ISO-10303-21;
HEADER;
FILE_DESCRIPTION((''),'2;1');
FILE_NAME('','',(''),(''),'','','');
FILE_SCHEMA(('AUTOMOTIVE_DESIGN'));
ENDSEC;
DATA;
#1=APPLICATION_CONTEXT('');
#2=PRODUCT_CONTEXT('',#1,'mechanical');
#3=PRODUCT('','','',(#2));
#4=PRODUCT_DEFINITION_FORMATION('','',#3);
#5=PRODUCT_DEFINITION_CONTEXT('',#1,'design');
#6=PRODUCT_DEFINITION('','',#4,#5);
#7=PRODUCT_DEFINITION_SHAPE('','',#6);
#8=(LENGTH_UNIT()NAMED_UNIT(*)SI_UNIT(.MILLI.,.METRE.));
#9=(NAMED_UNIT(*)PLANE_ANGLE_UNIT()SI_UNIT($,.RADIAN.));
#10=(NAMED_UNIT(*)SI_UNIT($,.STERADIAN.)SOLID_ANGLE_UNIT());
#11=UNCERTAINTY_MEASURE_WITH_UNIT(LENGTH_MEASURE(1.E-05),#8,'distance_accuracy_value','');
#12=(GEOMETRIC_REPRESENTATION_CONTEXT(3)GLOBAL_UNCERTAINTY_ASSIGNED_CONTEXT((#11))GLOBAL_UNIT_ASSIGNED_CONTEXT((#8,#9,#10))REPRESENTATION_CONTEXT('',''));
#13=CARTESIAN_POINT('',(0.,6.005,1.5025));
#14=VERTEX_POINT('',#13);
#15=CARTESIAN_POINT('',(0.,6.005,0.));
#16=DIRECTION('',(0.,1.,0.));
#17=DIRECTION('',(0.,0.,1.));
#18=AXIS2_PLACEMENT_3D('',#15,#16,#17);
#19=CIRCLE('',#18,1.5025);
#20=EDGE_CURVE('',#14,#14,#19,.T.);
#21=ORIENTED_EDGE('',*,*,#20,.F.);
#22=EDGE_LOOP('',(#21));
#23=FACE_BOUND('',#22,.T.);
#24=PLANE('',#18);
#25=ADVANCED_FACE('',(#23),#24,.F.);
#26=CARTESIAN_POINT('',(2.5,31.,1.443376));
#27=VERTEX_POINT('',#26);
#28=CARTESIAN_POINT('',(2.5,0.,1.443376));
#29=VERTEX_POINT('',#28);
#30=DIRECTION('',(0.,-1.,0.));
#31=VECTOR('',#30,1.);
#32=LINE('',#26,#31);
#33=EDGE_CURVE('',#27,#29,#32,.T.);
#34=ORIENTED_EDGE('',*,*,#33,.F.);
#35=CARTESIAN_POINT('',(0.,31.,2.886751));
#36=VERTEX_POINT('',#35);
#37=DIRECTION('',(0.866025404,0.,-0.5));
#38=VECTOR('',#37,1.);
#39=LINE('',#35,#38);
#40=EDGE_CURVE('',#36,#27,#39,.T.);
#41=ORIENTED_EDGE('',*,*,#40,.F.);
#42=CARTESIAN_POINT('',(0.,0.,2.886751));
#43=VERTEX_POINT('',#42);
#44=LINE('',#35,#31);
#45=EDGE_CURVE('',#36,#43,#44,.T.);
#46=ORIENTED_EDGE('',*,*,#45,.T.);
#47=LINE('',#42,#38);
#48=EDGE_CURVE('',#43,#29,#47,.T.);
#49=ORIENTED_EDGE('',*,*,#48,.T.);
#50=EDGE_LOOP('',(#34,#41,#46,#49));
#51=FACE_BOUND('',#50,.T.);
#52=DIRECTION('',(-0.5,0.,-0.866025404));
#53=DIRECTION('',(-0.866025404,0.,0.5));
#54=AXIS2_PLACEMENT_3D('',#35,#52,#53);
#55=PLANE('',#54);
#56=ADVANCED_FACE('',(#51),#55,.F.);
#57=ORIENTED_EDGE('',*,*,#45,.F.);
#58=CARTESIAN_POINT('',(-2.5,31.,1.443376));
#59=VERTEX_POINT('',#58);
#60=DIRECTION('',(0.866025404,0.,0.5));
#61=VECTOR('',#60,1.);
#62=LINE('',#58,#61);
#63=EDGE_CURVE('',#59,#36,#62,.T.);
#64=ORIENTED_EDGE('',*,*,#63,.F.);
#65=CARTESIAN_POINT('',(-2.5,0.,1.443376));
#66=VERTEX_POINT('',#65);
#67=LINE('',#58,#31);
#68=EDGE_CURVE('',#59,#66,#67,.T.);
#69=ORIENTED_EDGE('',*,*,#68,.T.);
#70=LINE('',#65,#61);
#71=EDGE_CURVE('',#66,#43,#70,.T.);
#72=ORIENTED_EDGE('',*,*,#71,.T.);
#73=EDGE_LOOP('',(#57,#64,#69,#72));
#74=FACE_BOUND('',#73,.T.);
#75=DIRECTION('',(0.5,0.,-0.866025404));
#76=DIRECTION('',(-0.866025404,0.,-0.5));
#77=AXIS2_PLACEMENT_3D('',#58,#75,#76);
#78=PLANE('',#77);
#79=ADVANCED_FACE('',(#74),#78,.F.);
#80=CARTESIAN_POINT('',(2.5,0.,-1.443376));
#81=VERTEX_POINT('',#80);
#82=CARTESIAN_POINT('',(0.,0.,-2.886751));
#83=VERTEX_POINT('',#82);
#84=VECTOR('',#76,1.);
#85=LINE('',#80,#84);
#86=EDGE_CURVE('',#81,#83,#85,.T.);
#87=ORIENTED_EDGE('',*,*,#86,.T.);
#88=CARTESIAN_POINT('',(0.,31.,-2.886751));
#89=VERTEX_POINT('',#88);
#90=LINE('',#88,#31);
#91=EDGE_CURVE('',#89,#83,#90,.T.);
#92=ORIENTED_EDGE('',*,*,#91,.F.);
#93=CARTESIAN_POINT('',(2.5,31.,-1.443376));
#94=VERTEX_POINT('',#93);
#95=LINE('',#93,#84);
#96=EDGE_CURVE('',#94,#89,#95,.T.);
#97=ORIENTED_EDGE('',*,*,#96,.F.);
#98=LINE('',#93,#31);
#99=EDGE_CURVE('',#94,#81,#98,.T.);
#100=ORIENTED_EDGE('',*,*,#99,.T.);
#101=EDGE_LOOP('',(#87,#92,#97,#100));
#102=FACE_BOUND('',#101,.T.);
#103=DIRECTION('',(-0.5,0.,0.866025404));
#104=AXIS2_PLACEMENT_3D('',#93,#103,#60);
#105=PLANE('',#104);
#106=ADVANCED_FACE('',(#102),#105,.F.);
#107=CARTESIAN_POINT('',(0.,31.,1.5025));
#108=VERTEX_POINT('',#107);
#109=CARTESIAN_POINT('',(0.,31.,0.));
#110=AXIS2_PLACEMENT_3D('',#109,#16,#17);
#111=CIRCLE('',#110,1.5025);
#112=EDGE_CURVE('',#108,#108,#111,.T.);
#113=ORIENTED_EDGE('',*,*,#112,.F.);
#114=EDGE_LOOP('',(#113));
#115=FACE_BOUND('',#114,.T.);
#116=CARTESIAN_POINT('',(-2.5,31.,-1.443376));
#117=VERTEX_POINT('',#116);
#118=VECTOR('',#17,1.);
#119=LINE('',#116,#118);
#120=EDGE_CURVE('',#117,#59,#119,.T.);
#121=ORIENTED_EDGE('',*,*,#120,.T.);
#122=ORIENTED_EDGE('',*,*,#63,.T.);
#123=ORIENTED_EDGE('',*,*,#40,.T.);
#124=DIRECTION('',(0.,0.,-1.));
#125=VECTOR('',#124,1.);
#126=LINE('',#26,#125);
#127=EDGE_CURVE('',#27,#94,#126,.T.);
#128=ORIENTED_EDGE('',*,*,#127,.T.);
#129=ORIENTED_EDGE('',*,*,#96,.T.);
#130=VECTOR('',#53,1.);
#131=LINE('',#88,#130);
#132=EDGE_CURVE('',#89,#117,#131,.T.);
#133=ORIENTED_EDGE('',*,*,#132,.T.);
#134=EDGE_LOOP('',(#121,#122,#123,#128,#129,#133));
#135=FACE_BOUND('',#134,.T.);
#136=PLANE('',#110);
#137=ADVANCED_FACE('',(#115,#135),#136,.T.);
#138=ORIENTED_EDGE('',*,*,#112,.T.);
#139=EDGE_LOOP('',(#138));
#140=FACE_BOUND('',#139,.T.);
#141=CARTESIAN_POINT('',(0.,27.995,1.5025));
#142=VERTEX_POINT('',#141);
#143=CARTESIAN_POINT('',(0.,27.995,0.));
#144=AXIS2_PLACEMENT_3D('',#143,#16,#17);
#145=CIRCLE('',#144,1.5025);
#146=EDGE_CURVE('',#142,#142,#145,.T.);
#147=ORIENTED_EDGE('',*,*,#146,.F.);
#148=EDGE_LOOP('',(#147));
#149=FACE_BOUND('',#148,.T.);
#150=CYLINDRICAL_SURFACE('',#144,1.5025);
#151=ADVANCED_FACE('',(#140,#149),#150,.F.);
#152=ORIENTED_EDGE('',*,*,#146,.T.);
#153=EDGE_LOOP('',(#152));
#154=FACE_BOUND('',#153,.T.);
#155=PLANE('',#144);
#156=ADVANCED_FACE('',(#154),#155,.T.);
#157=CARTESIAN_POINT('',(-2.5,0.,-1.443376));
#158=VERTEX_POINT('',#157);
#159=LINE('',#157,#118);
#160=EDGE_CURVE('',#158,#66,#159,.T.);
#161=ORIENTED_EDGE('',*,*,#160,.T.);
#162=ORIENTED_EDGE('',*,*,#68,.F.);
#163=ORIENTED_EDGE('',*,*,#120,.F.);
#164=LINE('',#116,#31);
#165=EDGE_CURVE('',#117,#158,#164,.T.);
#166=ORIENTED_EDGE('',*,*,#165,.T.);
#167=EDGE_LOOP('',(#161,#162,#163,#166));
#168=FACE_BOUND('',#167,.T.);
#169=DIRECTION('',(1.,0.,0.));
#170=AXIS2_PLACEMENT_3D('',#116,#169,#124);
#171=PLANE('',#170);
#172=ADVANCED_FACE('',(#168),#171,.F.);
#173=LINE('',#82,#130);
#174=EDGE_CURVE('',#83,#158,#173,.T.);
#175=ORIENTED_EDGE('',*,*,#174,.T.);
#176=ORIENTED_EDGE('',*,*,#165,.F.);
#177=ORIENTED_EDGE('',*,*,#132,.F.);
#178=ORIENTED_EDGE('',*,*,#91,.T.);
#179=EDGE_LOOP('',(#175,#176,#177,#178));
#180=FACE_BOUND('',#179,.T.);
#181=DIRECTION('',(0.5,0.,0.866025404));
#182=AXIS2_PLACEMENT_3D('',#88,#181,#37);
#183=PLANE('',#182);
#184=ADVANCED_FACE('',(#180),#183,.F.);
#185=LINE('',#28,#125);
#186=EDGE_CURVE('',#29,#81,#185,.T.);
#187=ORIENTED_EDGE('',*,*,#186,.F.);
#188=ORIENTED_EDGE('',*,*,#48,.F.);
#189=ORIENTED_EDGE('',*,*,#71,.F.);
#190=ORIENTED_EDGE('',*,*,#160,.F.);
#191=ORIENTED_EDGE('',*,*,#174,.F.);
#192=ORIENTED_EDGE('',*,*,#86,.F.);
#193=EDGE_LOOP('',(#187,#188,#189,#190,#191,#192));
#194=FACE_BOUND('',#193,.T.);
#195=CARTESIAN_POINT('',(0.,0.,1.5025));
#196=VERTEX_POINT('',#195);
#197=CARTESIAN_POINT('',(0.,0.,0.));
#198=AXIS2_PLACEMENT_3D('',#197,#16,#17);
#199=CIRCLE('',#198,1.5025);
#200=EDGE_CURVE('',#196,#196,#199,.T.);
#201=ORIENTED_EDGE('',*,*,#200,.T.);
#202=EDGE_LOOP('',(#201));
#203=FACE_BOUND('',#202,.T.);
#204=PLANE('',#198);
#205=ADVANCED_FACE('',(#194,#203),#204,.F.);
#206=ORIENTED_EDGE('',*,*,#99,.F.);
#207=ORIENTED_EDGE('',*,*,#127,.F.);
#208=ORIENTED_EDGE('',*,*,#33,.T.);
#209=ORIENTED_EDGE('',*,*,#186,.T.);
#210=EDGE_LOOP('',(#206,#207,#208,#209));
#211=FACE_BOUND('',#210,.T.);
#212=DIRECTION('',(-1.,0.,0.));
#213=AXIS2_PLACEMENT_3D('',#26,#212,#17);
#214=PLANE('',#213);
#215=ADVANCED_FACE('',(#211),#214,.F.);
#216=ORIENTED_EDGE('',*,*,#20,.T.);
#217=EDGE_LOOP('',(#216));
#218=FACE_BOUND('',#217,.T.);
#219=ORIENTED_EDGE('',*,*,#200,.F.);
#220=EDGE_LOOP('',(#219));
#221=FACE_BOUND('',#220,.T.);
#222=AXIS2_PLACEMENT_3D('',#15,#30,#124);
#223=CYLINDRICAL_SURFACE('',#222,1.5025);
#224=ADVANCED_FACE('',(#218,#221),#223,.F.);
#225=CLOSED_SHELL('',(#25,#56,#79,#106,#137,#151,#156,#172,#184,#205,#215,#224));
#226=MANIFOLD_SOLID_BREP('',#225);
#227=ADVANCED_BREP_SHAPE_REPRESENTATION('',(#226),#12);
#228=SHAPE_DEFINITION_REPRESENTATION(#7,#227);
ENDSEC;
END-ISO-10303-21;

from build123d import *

# Parameters (mm, degrees)
BOSS_EXTRUDE1_DEPTH = 31
SKETCH2_R           = 1.5025
CUT_EXTRUDE1_DEPTH  = 6.005
SKETCH3_R           = 1.5025
CUT_EXTRUDE2_DEPTH  = 3.005


with BuildPart() as part:
    # Sketch1 → Boss-Extrude1 (new body)
    with BuildSketch(Plane(origin=(0, 0, 0), x_dir=(1, 0, 0), z_dir=(0, 1, 0))):
        Polygon((2.5, 1.443375673), (0, 2.886751346), (-2.5, 1.443375673), (-2.5, -1.443375673), (0, -2.886751346), (2.5, -1.443375673), align=None)
    extrude(amount=BOSS_EXTRUDE1_DEPTH)

    # Sketch2 → Cut-Extrude1 (cut)
    with BuildSketch(Plane(origin=(0, 0, 0), x_dir=(1, 0, 0), z_dir=(0, 1, 0))):
        Circle(SKETCH2_R)
    extrude(amount=CUT_EXTRUDE1_DEPTH, mode=Mode.SUBTRACT)

    # Sketch3 → Cut-Extrude2 (cut)
    with BuildSketch(Plane(origin=(0, 31, 0), x_dir=(1, 0, 0), z_dir=(0, 1, 0))):
        Circle(SKETCH3_R)
    extrude(amount=-CUT_EXTRUDE2_DEPTH, mode=Mode.SUBTRACT)


solid = part.part
